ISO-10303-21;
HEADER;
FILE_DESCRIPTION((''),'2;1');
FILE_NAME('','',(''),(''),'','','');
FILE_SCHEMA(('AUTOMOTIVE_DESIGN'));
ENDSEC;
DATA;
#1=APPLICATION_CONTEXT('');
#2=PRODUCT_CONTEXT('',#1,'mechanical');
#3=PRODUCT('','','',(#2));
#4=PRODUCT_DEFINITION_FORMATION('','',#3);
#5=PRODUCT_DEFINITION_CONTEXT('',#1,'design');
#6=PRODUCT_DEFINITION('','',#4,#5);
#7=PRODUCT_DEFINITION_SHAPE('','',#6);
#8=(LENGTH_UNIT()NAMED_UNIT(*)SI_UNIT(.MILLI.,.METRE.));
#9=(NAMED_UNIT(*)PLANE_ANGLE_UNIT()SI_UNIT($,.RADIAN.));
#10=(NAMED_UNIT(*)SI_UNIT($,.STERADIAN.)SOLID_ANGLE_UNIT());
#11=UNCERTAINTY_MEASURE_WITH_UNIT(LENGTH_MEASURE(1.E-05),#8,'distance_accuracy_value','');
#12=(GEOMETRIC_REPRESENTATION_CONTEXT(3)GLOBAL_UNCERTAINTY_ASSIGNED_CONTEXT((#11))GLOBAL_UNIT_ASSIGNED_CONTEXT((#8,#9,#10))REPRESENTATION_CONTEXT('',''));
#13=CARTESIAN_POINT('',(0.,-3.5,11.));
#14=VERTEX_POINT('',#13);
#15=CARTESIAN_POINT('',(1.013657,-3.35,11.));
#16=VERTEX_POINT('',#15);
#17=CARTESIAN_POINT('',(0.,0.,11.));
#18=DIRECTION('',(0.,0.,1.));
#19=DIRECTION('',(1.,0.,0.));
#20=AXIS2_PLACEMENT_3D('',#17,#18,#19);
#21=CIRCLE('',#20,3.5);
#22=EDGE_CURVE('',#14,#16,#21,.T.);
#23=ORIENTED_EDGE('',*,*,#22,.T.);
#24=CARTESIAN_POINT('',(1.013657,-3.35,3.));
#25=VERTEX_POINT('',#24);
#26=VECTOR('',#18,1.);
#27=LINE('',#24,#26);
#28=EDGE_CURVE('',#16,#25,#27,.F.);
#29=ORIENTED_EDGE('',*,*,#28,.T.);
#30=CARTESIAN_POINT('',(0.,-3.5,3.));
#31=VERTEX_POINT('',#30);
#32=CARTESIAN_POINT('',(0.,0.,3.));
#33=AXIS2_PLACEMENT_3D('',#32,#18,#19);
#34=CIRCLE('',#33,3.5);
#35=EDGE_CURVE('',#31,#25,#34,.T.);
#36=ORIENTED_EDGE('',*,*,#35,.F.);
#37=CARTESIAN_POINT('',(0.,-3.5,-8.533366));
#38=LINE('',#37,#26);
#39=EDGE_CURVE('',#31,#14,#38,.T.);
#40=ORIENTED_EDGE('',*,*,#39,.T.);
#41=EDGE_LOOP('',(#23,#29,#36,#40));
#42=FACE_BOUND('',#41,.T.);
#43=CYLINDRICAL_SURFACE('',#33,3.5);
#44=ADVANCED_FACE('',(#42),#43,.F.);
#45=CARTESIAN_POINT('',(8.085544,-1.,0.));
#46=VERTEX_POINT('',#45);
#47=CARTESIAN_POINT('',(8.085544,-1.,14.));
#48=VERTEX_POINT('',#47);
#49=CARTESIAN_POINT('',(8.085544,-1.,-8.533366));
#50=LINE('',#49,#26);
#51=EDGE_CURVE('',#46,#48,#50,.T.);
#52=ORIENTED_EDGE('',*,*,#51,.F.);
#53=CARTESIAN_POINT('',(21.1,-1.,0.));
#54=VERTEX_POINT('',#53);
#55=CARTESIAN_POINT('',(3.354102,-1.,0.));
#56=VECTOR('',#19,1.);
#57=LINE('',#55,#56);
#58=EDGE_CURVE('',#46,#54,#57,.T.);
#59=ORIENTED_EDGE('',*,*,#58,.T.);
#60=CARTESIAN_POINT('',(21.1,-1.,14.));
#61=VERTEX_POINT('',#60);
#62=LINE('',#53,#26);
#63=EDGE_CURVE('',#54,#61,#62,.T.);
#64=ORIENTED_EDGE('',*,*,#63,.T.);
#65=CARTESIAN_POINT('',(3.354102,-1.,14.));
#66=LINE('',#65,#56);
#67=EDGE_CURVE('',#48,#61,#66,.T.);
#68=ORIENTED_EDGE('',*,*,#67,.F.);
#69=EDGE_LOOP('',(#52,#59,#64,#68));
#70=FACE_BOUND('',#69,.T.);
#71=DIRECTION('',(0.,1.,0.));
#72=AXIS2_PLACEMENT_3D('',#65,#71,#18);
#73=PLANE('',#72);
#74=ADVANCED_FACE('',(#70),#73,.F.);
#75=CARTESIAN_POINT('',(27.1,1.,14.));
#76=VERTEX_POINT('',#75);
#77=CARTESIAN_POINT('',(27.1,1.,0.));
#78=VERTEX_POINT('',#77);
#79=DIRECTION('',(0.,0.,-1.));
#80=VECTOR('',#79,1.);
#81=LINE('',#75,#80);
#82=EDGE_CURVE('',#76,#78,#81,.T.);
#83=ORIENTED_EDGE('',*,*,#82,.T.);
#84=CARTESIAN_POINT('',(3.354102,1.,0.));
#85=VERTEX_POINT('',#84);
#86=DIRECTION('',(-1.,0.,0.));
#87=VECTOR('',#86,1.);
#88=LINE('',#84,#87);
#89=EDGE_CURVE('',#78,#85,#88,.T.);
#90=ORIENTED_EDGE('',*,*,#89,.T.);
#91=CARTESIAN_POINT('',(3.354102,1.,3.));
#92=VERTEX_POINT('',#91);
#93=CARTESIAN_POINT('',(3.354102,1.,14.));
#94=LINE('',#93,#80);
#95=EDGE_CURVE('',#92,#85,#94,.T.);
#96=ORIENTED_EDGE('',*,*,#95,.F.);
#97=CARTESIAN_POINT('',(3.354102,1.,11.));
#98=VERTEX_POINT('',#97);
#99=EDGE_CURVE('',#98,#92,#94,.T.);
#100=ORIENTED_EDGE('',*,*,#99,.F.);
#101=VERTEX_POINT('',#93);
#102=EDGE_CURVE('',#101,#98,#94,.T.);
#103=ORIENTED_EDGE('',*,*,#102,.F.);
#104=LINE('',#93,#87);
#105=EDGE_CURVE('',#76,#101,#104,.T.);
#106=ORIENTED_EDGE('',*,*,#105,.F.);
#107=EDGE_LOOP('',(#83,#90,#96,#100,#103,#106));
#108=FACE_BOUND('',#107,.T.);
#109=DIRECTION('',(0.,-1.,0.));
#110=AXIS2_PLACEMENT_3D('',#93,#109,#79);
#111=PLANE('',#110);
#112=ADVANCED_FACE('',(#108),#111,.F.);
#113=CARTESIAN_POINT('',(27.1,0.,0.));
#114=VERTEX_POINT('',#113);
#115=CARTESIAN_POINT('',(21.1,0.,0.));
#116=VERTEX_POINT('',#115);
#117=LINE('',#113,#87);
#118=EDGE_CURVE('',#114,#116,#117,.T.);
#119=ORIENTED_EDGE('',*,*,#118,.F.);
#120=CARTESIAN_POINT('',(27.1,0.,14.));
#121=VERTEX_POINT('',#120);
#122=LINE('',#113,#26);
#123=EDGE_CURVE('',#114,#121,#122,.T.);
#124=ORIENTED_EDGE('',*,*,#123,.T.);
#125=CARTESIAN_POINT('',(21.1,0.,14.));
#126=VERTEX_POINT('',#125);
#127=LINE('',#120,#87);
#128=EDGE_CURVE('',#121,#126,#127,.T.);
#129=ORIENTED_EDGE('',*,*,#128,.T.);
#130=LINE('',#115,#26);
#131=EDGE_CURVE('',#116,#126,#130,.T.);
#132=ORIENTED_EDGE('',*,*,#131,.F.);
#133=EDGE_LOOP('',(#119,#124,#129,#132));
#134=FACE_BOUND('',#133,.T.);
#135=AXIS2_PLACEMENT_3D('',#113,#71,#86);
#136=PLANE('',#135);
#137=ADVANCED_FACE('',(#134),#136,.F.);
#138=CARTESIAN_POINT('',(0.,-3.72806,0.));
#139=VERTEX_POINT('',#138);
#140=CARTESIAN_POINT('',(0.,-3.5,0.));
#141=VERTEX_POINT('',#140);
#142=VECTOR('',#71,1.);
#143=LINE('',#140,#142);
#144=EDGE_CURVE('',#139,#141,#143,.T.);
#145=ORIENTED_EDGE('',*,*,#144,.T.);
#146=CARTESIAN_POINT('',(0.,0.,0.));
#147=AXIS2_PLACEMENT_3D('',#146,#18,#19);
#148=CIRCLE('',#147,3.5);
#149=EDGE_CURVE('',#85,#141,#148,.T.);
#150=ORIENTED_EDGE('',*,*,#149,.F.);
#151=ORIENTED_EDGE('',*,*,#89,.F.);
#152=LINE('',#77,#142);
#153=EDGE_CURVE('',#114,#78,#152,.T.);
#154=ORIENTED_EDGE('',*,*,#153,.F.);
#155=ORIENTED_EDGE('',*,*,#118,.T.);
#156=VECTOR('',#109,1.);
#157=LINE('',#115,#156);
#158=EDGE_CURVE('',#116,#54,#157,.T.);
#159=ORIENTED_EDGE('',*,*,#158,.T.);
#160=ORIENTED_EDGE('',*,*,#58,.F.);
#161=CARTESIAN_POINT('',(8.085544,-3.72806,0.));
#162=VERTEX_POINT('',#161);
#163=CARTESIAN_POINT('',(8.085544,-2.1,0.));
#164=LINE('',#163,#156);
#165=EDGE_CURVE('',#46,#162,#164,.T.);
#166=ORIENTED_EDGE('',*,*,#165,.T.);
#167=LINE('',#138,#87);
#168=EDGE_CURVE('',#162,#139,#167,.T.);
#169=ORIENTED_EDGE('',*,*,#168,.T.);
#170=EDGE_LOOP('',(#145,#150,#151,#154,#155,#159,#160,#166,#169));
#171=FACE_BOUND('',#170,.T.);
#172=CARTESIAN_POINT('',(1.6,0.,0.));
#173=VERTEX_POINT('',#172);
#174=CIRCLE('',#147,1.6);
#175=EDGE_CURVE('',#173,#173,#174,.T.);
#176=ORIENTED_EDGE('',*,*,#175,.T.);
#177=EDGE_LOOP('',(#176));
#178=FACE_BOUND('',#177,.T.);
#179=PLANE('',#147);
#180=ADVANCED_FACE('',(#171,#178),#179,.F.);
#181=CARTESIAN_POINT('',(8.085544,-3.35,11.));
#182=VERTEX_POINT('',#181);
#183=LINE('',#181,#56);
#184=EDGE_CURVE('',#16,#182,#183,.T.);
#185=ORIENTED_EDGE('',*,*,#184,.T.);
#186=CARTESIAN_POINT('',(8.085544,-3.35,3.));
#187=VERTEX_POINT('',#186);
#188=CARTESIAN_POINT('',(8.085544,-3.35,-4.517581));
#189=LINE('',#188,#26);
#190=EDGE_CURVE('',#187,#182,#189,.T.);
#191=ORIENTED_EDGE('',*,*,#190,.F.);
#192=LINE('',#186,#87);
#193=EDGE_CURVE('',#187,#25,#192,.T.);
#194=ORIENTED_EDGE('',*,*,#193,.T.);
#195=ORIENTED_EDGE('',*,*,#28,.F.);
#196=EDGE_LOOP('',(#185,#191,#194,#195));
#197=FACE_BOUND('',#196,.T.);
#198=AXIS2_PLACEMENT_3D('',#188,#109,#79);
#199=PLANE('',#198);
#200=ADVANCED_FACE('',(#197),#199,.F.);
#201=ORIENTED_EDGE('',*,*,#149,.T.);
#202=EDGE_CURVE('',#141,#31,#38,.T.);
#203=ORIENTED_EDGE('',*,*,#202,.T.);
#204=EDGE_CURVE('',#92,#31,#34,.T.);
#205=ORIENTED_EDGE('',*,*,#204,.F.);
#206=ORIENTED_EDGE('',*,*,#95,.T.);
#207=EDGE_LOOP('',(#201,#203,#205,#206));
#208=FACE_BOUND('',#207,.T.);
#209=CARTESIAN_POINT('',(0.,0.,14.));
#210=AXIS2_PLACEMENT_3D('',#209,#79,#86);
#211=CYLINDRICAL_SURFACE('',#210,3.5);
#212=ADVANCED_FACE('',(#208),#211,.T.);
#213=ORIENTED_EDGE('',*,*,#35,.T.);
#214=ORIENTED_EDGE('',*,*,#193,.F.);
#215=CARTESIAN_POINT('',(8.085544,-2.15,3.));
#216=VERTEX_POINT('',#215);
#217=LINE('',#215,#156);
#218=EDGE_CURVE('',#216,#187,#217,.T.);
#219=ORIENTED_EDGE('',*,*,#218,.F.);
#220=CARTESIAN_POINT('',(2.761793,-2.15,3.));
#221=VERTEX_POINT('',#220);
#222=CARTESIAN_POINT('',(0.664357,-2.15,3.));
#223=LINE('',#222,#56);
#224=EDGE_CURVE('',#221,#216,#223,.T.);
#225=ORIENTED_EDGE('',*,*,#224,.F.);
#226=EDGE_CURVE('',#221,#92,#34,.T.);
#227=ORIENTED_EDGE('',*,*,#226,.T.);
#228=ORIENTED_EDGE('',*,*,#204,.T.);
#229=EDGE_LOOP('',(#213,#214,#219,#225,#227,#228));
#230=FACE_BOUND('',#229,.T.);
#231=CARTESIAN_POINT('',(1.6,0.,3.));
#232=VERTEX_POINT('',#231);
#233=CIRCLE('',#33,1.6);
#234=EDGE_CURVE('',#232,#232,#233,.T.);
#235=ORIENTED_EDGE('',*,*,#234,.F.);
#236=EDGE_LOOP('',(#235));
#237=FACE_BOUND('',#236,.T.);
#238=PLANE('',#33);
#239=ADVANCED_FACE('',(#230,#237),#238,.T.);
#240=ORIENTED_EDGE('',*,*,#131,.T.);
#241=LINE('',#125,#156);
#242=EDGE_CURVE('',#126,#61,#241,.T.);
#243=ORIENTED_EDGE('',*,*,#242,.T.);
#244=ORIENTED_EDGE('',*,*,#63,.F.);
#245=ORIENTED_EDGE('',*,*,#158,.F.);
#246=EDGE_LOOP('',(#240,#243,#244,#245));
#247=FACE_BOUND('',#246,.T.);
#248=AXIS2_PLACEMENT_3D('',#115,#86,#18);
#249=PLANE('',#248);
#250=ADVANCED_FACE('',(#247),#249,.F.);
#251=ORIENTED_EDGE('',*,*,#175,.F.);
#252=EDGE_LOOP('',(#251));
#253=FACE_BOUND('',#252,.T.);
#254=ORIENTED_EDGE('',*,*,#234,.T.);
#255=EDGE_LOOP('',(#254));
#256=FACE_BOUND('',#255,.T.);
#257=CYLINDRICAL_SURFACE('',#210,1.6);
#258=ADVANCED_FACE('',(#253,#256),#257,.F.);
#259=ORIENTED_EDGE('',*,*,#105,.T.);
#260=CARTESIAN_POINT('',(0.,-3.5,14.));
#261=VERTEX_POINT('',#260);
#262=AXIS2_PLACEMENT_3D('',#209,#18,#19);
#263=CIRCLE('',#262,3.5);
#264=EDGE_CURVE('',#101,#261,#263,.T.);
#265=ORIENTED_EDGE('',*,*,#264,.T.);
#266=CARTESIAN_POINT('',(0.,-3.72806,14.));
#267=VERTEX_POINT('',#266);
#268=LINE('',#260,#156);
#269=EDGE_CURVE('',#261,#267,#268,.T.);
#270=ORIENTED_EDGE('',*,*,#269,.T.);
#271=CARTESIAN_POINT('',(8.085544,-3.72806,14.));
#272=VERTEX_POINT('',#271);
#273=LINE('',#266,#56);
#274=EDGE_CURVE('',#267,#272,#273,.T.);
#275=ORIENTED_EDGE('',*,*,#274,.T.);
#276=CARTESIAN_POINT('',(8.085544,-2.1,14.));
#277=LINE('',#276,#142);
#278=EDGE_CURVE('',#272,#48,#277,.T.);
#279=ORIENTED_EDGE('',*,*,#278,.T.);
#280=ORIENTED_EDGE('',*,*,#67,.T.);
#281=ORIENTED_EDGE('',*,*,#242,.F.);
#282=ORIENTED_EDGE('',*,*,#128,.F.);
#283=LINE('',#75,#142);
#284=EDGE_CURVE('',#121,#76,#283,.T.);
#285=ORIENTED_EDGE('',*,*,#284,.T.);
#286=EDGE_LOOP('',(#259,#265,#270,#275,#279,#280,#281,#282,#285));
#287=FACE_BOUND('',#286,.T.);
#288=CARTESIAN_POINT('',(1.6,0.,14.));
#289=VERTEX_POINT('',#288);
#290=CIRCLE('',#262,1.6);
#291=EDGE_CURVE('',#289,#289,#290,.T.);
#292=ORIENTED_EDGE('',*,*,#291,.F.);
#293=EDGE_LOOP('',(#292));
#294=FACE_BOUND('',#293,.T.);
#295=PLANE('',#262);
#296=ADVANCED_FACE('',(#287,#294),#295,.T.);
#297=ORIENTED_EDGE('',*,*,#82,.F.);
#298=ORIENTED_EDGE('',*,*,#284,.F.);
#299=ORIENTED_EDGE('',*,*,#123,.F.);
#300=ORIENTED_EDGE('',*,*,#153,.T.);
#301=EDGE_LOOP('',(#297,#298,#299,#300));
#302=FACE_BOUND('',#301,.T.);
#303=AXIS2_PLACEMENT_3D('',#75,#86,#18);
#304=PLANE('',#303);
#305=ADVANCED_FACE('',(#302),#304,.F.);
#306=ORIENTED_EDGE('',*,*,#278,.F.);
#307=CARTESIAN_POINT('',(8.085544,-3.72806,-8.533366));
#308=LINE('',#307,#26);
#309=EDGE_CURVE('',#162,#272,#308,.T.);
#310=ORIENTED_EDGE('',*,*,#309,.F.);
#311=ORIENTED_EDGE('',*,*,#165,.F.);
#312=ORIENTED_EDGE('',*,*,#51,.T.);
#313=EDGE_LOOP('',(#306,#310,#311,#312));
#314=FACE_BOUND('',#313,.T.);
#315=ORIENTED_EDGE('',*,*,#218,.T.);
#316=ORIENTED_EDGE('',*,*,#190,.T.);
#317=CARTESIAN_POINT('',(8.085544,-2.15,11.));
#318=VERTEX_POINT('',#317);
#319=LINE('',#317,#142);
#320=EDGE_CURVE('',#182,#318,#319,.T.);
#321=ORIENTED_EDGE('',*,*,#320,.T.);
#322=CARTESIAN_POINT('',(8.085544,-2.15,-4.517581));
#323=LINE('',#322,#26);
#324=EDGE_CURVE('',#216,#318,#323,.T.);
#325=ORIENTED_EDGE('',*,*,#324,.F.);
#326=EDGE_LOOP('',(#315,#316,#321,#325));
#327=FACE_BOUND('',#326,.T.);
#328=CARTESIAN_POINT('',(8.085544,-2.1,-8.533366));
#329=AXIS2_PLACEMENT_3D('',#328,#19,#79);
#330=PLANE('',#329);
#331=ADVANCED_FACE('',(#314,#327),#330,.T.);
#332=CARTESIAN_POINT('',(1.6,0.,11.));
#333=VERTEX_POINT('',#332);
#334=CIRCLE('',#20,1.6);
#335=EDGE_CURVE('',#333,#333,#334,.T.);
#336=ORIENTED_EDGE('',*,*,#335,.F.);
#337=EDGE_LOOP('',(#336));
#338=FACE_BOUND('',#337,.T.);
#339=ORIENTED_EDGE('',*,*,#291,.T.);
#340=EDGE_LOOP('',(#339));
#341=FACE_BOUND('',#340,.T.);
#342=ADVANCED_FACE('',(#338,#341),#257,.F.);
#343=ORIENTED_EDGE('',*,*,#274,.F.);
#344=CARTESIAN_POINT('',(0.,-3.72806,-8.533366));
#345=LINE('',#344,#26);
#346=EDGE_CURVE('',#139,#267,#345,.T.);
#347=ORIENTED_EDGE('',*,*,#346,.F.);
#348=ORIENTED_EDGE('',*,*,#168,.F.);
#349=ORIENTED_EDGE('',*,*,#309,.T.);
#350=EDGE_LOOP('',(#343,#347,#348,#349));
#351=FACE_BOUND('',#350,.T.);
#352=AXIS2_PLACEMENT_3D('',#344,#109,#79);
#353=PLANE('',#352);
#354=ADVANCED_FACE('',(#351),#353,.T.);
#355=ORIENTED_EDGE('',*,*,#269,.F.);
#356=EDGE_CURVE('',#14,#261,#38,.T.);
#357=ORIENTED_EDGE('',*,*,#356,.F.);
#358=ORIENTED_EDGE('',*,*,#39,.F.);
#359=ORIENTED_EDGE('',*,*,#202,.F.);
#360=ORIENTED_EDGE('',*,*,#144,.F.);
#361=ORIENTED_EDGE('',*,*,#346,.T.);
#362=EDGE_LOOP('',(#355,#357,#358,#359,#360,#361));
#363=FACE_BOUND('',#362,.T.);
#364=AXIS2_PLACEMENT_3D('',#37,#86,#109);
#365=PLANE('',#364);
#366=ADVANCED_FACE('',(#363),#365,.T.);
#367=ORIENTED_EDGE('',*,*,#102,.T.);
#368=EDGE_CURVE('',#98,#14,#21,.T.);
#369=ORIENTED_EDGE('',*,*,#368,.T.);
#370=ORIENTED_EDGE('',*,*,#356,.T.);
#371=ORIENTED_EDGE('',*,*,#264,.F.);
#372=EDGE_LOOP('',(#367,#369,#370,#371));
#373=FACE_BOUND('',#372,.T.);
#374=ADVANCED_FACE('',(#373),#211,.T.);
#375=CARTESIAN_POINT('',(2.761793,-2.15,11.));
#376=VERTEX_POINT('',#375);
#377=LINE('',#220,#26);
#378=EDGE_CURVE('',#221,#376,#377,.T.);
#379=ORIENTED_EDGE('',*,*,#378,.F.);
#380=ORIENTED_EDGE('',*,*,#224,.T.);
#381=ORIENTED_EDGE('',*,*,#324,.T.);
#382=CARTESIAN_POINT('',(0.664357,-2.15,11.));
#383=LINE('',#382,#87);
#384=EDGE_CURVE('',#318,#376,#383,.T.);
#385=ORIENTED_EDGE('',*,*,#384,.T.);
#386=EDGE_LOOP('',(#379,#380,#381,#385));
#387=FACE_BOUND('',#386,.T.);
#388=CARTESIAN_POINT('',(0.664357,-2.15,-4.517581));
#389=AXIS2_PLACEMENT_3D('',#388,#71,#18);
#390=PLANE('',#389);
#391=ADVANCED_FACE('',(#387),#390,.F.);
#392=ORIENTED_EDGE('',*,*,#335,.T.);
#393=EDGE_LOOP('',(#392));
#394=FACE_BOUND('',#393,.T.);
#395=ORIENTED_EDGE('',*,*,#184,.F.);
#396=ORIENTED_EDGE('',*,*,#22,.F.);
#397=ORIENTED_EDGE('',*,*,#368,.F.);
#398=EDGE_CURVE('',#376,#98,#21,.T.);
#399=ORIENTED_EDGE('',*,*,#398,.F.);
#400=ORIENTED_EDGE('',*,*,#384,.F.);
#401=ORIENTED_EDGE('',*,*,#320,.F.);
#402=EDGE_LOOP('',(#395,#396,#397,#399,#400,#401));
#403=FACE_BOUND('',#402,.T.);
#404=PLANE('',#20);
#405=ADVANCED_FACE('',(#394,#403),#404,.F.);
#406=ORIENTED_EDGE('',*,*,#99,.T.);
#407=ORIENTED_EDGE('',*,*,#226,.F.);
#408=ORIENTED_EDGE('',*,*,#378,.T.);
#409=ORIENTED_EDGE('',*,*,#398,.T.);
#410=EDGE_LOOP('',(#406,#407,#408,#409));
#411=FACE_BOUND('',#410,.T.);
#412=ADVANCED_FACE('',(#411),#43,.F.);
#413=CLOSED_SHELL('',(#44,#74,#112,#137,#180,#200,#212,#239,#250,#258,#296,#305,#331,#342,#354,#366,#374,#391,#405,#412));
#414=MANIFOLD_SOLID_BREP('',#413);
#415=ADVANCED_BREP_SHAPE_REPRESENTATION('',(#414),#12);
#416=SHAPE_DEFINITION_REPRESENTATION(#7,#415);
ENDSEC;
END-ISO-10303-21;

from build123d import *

# Parameters (mm, degrees)
SKETCH_1_R          = 1.6
EXTRUDE_1_DEPTH     = 14
SKETCH_2_W          = 6
SKETCH_2_H          = 1
CUT_EXTRUDE_1_DEPTH = 14
SKETCH_3_R          = 3.5
SKETCH_3_R_2        = 1.6
CUT_EXTRUDE_2_DEPTH = 4
EXTRUDE_2_REACH     = 32.703
SKETCH_9_W          = 7.421187745
SKETCH_9_H          = 1.2
CUT_EXTRUDE_4_DEPTH = 8


with BuildPart() as part:
    # 草图1 → 凸台-拉伸1 (new body)
    with BuildSketch(Plane.XY):
        with BuildLine():
            Line((3.354101966, 1), (27.1, 1))
            Line((27.1, 1), (27.1, -1))
            Line((27.1, -1), (3.354101966, -1))
            ThreePointArc((3.354101966, -1), (-3.5, 0), (3.354101966, 1))
        make_face()
        Circle(SKETCH_1_R, mode=Mode.SUBTRACT)
    extrude(amount=EXTRUDE_1_DEPTH)

    # 草图2 → 切除-拉伸1 (cut)
    with BuildSketch(Plane.XY.offset(14)):
        with Locations((24.1, -0.5)):
            Rectangle(SKETCH_2_W, SKETCH_2_H)
    extrude(amount=-CUT_EXTRUDE_1_DEPTH, mode=Mode.SUBTRACT)

    # 草图3 → 切除-拉伸2 (cut, symmetric)
    with BuildSketch(Plane.XY.offset(7)):
        Circle(SKETCH_3_R)
        Circle(SKETCH_3_R_2, mode=Mode.SUBTRACT)
    extrude(amount=CUT_EXTRUDE_2_DEPTH, both=True, mode=Mode.SUBTRACT)

    # 凸台-拉伸2: up to this face of the body (flat: up to its plane)
    extrude_2_end = Plane(part.part.faces().sort_by_distance((8.055556707, 0.041818565, 0))[0])
    # 草图6 → 凸台-拉伸2 (add, up to the picked face)
    with BuildSketch(Plane.XY.offset(14), mode=Mode.PRIVATE) as extrude_2_sk1:
        with BuildLine():
            Line((8.085544375, -2.1), (8.085544375, -3.4))
            Line((8.085544375, -3.4), (8.085544375, -3.5))
            Line((8.085544375, -3.5), (8.085544375, -3.728060251))
            Line((8.085544375, -3.728060251), (0, -3.728060251))
            Line((0, -3.728060251), (0, -3.5))
            ThreePointArc((0, -3.5), (2.091650066, -2.80624304), (3.354101966, -1))
            Line((3.354101966, -1), (8.085544375, -1))
            Line((8.085544375, -1), (8.085544375, -2.1))
        make_face()
    extrude_2_tool1 = split(extrude(extrude_2_sk1.sketch, amount=-EXTRUDE_2_REACH, mode=Mode.PRIVATE), bisect_by=extrude_2_end, keep=Keep.BOTH, mode=Mode.PRIVATE)
    add(extrude_2_tool1.solids().sort_by(Axis((5.088052, -2.490325, 14), (0, 0, -1)))[0])

    # 草图9 → 切除-拉伸4 (cut)
    with BuildSketch(Plane.XY.offset(11)):
        with Locations((4.374950503, -2.75)):
            Rectangle(SKETCH_9_W, SKETCH_9_H)
    extrude(amount=-CUT_EXTRUDE_4_DEPTH, mode=Mode.SUBTRACT)


solid = part.part
